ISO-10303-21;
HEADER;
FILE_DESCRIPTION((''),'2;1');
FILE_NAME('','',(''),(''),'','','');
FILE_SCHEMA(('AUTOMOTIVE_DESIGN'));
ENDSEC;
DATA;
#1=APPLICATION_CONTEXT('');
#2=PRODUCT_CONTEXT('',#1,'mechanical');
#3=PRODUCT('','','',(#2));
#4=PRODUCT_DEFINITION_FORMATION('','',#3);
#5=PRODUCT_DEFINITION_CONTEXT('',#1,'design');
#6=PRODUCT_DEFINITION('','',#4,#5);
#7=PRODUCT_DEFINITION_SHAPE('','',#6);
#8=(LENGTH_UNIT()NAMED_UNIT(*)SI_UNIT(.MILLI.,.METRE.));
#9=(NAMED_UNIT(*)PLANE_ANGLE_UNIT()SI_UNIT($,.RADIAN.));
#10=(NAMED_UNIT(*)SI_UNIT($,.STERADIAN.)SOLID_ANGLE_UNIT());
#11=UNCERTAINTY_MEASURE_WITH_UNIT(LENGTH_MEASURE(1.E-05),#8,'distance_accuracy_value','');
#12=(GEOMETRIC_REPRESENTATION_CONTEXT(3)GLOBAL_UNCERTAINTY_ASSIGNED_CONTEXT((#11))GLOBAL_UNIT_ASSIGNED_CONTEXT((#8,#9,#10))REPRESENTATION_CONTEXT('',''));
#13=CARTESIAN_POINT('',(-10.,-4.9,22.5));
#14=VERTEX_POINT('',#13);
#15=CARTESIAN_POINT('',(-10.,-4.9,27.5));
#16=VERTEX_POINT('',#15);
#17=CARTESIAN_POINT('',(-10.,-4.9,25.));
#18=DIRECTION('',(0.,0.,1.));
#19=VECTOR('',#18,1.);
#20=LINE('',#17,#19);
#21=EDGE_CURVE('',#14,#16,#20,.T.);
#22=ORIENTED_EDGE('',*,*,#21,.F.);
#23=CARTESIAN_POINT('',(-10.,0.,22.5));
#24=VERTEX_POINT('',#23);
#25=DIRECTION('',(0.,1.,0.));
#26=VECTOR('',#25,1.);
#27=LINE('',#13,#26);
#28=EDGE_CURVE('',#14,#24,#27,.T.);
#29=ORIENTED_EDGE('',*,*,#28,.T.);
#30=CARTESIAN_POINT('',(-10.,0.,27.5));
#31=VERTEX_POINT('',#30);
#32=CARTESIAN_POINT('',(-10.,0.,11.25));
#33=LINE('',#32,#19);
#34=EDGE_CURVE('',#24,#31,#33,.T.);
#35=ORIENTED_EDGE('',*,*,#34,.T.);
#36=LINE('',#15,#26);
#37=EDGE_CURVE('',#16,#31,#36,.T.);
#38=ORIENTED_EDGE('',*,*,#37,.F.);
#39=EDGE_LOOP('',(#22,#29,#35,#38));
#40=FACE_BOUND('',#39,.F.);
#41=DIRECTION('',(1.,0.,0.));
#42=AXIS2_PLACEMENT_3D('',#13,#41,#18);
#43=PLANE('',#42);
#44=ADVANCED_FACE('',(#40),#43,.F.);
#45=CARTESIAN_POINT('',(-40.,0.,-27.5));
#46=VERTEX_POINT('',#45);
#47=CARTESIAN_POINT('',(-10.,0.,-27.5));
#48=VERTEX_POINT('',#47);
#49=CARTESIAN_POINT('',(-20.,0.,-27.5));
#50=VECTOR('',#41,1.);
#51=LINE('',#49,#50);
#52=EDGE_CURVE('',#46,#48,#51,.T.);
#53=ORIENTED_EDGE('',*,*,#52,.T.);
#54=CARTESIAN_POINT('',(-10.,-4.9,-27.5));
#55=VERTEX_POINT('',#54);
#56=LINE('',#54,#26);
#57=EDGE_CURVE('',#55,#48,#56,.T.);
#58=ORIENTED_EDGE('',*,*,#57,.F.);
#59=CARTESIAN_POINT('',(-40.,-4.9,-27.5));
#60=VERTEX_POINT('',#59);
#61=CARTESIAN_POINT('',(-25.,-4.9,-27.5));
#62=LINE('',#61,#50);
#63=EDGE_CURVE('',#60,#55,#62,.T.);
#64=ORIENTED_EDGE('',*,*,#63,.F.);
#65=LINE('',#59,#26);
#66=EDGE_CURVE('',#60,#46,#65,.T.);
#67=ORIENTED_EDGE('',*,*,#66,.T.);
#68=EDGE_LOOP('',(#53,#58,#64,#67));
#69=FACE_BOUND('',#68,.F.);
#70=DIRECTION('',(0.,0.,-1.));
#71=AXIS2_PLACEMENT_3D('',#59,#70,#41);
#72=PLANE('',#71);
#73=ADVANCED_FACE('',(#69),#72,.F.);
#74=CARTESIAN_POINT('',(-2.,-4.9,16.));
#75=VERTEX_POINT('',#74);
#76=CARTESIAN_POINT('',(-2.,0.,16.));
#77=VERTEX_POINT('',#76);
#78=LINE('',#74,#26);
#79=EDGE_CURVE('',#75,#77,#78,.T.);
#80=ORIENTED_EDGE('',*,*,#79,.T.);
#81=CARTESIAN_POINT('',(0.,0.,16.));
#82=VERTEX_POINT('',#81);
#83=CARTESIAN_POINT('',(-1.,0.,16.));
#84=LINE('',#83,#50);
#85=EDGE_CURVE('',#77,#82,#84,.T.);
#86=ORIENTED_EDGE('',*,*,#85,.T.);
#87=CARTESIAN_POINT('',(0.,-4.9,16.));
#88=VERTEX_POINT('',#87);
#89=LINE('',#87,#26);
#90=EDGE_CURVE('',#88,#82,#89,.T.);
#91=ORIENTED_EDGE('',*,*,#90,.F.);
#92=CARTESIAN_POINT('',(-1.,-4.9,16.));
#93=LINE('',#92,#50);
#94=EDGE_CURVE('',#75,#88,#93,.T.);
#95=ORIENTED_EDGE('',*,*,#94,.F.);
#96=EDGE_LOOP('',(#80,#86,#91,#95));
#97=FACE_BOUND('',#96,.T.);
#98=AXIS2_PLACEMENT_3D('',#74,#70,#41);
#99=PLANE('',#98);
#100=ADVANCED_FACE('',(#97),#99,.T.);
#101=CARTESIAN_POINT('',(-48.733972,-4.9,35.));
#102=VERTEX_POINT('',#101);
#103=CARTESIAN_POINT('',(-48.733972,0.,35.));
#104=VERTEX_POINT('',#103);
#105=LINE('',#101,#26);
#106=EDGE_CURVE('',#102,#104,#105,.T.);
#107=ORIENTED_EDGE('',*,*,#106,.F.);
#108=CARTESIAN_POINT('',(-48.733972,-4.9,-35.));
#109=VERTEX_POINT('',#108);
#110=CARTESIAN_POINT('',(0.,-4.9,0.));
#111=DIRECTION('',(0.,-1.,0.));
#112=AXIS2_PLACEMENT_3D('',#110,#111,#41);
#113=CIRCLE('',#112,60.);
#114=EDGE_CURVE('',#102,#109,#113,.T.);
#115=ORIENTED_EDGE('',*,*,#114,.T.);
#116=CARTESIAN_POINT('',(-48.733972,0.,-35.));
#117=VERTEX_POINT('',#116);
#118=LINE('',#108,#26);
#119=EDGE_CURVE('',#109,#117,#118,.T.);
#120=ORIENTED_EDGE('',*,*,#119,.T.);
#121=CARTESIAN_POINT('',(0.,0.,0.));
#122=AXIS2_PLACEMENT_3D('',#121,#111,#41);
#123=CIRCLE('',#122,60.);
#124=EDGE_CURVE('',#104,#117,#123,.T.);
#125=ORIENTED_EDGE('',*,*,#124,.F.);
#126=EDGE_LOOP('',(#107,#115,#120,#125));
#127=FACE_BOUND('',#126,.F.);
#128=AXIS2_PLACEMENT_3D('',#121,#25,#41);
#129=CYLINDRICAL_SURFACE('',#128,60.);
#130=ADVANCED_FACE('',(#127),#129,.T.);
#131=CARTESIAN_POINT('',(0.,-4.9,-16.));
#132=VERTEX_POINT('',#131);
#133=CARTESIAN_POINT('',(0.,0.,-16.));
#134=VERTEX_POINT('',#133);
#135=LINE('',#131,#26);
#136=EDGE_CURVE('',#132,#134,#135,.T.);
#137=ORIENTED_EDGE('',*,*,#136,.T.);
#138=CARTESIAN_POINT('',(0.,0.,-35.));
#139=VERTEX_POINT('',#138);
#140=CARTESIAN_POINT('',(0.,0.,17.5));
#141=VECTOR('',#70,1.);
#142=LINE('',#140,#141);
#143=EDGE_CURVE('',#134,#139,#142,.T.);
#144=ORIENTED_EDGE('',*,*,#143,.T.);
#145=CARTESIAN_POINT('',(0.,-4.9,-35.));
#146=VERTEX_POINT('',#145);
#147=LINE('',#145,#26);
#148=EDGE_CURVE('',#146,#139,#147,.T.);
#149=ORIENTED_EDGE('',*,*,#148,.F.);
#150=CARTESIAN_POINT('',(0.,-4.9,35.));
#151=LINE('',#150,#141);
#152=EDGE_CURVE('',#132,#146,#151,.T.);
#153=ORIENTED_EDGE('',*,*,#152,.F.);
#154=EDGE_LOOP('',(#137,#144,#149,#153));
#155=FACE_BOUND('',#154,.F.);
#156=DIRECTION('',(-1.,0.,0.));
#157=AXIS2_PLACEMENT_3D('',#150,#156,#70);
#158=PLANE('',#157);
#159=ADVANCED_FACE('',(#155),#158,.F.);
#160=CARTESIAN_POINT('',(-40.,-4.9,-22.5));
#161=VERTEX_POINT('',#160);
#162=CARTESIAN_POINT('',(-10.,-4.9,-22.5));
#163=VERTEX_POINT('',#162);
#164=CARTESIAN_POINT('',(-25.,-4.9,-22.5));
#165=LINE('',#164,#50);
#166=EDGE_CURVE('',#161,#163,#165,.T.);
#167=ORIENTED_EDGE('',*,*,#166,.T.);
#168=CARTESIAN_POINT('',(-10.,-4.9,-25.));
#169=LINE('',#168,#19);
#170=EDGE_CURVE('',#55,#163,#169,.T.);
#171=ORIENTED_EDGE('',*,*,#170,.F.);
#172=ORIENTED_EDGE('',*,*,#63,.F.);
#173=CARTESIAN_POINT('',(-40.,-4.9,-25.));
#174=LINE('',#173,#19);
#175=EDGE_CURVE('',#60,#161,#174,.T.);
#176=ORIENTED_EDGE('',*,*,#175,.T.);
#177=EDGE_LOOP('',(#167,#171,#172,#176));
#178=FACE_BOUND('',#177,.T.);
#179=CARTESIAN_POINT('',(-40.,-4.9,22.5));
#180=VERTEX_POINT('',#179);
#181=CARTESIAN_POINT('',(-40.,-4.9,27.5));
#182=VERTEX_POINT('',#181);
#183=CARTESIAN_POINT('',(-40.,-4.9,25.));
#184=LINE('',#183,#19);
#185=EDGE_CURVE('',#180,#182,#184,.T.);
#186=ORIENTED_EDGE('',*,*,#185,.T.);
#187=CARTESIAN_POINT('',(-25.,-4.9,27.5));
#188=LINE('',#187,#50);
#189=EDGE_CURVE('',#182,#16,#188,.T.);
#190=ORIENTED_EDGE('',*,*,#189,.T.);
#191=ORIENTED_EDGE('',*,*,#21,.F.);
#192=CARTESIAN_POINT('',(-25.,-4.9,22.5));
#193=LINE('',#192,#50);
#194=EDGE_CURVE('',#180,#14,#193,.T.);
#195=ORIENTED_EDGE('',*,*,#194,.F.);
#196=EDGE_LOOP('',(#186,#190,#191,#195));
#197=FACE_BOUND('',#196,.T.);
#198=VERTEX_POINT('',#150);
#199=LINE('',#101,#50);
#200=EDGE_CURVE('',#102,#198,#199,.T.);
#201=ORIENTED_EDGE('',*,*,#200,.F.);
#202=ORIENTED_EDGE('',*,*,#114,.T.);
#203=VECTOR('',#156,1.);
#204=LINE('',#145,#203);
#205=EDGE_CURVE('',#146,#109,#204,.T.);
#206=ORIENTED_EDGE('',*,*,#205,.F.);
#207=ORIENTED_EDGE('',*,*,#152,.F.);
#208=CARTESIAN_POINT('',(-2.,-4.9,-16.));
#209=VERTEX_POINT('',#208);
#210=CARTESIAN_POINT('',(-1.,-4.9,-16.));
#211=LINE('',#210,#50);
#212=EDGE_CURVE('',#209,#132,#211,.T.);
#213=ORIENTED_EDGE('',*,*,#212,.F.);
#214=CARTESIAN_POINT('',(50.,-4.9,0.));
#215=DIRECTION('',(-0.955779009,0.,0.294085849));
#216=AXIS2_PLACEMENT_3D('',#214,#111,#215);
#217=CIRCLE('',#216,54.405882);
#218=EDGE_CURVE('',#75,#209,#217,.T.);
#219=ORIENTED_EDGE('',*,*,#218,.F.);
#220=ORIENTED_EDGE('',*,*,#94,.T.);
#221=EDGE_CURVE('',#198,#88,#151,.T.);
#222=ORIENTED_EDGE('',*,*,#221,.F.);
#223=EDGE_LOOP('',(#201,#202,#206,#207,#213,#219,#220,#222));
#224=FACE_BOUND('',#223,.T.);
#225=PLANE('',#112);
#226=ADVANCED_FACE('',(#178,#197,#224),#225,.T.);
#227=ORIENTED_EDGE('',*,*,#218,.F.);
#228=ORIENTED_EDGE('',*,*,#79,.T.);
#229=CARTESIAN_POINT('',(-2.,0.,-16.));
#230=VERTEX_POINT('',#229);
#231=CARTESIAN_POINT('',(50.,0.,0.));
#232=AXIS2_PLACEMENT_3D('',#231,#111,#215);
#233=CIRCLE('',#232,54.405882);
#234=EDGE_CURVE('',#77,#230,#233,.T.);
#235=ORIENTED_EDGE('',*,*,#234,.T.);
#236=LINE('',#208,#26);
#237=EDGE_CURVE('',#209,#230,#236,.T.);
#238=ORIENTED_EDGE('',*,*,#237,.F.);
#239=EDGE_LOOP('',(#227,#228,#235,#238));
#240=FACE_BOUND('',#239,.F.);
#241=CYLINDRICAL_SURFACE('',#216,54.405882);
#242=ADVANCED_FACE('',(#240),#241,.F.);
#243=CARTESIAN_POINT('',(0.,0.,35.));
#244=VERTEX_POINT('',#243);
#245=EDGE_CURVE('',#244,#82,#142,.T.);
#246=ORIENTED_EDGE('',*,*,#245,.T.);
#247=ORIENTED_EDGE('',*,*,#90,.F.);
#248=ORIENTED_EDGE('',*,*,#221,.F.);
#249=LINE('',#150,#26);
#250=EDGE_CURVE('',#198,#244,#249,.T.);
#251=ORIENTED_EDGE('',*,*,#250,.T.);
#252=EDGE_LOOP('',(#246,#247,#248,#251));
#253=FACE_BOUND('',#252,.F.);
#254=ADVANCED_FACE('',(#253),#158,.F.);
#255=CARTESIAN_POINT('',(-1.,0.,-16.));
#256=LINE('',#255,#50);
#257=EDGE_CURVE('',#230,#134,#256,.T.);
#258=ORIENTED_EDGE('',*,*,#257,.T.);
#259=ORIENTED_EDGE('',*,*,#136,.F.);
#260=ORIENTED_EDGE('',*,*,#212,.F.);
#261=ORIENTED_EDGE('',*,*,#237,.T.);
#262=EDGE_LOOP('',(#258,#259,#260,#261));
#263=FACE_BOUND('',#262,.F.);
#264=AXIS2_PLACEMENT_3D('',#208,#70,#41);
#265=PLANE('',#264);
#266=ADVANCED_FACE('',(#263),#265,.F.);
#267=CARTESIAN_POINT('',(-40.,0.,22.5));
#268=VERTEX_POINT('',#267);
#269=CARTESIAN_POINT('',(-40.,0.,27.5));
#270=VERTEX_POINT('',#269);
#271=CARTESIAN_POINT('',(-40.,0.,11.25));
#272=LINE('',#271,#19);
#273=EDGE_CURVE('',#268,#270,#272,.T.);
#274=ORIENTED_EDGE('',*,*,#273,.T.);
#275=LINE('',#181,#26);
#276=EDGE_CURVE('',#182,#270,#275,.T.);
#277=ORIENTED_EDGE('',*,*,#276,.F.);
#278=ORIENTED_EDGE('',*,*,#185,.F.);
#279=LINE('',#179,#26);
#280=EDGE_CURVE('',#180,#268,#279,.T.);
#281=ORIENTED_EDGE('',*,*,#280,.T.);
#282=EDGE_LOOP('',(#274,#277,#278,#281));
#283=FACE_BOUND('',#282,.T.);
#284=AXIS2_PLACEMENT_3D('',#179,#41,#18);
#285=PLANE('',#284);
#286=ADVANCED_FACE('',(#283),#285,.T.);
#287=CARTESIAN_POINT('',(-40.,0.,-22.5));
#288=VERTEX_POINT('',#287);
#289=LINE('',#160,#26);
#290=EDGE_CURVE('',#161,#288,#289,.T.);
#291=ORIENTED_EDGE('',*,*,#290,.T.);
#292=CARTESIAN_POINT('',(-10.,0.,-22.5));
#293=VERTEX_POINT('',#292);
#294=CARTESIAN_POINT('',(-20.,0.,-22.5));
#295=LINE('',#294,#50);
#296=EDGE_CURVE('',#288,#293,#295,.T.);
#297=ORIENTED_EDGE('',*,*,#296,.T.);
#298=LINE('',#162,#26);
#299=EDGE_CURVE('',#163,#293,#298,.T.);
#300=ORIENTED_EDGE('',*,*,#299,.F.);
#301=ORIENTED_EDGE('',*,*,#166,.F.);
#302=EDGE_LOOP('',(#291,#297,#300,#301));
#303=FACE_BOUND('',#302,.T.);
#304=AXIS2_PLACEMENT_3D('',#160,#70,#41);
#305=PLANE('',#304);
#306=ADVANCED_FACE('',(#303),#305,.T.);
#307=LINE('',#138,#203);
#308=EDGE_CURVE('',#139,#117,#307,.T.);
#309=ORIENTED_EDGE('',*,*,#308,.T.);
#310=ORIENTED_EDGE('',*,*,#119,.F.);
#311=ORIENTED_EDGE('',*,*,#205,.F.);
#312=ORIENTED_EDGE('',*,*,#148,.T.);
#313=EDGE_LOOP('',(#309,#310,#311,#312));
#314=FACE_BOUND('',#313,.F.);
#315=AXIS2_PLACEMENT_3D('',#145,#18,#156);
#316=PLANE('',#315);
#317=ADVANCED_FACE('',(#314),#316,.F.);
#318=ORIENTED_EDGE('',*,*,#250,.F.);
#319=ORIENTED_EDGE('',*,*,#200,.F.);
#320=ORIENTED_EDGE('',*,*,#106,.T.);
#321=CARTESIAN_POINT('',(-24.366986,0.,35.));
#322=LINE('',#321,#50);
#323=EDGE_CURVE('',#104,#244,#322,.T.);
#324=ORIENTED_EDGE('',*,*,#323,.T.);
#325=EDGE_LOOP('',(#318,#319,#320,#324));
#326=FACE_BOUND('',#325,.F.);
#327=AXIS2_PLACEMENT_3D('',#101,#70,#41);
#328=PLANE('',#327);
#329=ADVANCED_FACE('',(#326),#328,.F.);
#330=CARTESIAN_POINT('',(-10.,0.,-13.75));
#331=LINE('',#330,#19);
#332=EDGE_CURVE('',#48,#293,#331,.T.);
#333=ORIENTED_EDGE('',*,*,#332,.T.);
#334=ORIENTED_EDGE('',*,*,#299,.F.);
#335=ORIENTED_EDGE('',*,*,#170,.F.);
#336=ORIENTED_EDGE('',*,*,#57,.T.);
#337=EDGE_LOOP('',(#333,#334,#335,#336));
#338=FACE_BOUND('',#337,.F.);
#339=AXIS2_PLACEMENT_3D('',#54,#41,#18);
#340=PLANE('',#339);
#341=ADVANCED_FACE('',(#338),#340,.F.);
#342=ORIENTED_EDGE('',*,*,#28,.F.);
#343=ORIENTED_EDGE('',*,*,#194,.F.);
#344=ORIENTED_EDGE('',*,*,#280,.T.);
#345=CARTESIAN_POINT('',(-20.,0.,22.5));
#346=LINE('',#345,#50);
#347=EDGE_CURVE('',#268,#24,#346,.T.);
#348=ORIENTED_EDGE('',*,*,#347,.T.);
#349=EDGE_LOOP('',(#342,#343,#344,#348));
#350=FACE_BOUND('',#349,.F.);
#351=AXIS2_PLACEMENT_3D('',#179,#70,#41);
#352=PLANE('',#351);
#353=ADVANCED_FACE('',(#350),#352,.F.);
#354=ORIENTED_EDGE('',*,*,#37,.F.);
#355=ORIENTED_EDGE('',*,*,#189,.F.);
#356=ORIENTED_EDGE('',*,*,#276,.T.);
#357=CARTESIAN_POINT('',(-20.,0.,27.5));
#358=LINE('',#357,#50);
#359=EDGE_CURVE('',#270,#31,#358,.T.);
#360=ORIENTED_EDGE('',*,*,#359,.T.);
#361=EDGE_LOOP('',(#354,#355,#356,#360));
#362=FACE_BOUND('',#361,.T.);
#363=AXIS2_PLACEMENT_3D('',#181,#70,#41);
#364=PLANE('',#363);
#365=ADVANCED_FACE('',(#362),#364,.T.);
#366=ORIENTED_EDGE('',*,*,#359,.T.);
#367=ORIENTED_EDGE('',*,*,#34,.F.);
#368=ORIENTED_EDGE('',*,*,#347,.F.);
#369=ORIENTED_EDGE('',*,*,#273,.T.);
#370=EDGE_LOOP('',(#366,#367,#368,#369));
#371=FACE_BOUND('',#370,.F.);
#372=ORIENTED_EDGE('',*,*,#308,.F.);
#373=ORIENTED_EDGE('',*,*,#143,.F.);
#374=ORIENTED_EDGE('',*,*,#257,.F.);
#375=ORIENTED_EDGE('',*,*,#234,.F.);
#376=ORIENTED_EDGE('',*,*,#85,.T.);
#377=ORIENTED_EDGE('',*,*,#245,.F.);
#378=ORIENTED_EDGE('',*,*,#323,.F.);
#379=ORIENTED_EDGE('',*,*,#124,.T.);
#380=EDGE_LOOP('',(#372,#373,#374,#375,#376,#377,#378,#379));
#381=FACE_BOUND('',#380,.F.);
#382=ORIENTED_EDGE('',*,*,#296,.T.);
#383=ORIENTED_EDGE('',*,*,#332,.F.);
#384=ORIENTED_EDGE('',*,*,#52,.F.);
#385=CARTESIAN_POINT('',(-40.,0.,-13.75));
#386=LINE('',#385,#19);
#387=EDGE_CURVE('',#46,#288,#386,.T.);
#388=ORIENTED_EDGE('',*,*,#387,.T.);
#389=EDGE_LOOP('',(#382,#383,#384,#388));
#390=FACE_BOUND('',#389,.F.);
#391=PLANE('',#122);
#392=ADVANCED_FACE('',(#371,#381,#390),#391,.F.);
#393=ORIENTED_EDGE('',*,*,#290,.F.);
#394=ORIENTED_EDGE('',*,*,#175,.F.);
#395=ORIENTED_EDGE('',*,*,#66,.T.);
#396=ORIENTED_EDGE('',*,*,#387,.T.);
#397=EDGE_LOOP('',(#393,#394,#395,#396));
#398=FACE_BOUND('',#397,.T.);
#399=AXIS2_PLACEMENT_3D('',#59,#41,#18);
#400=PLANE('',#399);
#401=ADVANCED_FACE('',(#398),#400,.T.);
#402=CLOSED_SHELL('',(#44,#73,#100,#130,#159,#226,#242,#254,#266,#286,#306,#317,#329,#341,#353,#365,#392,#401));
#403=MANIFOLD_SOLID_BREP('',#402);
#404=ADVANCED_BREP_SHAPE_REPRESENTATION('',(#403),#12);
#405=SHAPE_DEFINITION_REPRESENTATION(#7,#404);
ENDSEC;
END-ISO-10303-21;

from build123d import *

# Parameters (mm, degrees)
F0_R     = 60
F1_DEPTH = 4.9
F3_DEPTH = 4.901
F4_W     = 2
F4_H     = 32
F5_DEPTH = 4.901
F6_W     = 30
F6_H     = 5
F7_DEPTH = 4.901


with BuildPart() as f1:
    # F0 (on Front) → F1 (new body)
    with BuildSketch(Plane.XZ):
        Circle(F0_R)
    extrude(amount=F1_DEPTH)

    # F2 (on face) → F3 (cut, through all)
    with BuildSketch(Plane.XZ.offset(4.9)):
        with BuildLine():
            ThreePointArc((60, 0), (18.3842554453, 57.1140889074), (-48.733971724, 35))
            Line((-48.733971724, 35), (0, 35))
            Line((0, 35), (0, -35))
            Line((0, -35), (-48.733971724, -35))
            ThreePointArc((-48.733971724, -35), (18.3842554453, -57.1140889074), (60, 0))
        make_face()
    extrude(amount=-F3_DEPTH, mode=Mode.SUBTRACT)

    # F4 (on face) → F5 (cut, through all)
    with BuildSketch(Plane.XZ.offset(4.9)):
        with BuildLine():
            Line((-2, -16), (-2, 16))
            ThreePointArc((-2, 16), (-4.4058820349, 0), (-2, -16))
        make_face()
        with Locations((-1, 0)):
            Rectangle(F4_W, F4_H)
    extrude(amount=-F5_DEPTH, mode=Mode.SUBTRACT)

    # F6 (on face) → F7 (cut, through all)
    with BuildSketch(Plane.XZ.offset(4.9)):
        with Locations((-25, 25)):
            Rectangle(F6_W, F6_H)
        with Locations((-25, -25)):
            Rectangle(F6_W, F6_H)
    extrude(amount=-F7_DEPTH, mode=Mode.SUBTRACT)


solid = f1.part
